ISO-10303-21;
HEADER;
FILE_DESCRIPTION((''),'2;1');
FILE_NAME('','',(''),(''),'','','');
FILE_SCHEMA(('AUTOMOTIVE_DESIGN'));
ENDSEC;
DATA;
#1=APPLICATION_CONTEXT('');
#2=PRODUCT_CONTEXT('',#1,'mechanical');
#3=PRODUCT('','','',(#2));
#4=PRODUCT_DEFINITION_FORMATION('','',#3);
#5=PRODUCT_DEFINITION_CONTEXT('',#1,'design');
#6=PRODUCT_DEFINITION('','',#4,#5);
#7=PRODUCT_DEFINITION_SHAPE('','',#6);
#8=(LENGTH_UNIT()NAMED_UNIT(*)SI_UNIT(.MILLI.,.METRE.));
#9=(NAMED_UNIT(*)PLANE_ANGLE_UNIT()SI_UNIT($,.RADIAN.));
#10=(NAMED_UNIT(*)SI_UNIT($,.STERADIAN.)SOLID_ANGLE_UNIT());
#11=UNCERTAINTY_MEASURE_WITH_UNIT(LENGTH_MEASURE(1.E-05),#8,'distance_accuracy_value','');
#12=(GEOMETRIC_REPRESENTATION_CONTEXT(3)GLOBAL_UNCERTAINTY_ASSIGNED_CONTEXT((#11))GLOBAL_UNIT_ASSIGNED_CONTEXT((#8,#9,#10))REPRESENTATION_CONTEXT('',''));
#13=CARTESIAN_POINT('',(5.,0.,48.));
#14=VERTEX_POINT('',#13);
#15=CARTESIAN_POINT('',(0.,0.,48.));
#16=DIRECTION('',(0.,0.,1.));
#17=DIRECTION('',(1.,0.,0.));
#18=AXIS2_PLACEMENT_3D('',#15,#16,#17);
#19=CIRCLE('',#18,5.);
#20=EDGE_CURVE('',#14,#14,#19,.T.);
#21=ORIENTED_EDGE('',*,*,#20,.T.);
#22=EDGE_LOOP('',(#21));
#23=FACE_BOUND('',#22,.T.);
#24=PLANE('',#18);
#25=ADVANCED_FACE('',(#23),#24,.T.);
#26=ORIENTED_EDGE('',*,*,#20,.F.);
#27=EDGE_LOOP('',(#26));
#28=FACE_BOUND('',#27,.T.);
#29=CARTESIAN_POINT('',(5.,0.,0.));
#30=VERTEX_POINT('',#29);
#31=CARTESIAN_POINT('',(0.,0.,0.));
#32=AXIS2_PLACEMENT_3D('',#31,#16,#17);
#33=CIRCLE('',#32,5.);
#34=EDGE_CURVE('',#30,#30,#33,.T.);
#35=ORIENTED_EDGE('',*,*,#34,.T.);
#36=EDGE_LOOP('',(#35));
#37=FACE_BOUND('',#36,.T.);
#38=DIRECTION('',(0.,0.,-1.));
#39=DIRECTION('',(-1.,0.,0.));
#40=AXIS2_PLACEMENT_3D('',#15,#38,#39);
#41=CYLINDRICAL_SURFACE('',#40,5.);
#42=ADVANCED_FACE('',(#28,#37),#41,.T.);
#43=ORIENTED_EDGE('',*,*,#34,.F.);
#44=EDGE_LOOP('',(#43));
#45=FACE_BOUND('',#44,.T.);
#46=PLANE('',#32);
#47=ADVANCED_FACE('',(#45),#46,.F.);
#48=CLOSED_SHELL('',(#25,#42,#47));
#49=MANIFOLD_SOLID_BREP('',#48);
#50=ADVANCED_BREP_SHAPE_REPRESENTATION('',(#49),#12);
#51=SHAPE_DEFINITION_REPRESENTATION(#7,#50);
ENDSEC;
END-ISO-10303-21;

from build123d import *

# Parameters (mm, degrees)
SKETCH_1_R      = 5
EXTRUDE_1_DEPTH = 48


with BuildPart() as part:
    # 草图1 → 凸台-拉伸1 (new body)
    with BuildSketch(Plane.XY):
        Circle(SKETCH_1_R)
    extrude(amount=EXTRUDE_1_DEPTH)


solid = part.part
